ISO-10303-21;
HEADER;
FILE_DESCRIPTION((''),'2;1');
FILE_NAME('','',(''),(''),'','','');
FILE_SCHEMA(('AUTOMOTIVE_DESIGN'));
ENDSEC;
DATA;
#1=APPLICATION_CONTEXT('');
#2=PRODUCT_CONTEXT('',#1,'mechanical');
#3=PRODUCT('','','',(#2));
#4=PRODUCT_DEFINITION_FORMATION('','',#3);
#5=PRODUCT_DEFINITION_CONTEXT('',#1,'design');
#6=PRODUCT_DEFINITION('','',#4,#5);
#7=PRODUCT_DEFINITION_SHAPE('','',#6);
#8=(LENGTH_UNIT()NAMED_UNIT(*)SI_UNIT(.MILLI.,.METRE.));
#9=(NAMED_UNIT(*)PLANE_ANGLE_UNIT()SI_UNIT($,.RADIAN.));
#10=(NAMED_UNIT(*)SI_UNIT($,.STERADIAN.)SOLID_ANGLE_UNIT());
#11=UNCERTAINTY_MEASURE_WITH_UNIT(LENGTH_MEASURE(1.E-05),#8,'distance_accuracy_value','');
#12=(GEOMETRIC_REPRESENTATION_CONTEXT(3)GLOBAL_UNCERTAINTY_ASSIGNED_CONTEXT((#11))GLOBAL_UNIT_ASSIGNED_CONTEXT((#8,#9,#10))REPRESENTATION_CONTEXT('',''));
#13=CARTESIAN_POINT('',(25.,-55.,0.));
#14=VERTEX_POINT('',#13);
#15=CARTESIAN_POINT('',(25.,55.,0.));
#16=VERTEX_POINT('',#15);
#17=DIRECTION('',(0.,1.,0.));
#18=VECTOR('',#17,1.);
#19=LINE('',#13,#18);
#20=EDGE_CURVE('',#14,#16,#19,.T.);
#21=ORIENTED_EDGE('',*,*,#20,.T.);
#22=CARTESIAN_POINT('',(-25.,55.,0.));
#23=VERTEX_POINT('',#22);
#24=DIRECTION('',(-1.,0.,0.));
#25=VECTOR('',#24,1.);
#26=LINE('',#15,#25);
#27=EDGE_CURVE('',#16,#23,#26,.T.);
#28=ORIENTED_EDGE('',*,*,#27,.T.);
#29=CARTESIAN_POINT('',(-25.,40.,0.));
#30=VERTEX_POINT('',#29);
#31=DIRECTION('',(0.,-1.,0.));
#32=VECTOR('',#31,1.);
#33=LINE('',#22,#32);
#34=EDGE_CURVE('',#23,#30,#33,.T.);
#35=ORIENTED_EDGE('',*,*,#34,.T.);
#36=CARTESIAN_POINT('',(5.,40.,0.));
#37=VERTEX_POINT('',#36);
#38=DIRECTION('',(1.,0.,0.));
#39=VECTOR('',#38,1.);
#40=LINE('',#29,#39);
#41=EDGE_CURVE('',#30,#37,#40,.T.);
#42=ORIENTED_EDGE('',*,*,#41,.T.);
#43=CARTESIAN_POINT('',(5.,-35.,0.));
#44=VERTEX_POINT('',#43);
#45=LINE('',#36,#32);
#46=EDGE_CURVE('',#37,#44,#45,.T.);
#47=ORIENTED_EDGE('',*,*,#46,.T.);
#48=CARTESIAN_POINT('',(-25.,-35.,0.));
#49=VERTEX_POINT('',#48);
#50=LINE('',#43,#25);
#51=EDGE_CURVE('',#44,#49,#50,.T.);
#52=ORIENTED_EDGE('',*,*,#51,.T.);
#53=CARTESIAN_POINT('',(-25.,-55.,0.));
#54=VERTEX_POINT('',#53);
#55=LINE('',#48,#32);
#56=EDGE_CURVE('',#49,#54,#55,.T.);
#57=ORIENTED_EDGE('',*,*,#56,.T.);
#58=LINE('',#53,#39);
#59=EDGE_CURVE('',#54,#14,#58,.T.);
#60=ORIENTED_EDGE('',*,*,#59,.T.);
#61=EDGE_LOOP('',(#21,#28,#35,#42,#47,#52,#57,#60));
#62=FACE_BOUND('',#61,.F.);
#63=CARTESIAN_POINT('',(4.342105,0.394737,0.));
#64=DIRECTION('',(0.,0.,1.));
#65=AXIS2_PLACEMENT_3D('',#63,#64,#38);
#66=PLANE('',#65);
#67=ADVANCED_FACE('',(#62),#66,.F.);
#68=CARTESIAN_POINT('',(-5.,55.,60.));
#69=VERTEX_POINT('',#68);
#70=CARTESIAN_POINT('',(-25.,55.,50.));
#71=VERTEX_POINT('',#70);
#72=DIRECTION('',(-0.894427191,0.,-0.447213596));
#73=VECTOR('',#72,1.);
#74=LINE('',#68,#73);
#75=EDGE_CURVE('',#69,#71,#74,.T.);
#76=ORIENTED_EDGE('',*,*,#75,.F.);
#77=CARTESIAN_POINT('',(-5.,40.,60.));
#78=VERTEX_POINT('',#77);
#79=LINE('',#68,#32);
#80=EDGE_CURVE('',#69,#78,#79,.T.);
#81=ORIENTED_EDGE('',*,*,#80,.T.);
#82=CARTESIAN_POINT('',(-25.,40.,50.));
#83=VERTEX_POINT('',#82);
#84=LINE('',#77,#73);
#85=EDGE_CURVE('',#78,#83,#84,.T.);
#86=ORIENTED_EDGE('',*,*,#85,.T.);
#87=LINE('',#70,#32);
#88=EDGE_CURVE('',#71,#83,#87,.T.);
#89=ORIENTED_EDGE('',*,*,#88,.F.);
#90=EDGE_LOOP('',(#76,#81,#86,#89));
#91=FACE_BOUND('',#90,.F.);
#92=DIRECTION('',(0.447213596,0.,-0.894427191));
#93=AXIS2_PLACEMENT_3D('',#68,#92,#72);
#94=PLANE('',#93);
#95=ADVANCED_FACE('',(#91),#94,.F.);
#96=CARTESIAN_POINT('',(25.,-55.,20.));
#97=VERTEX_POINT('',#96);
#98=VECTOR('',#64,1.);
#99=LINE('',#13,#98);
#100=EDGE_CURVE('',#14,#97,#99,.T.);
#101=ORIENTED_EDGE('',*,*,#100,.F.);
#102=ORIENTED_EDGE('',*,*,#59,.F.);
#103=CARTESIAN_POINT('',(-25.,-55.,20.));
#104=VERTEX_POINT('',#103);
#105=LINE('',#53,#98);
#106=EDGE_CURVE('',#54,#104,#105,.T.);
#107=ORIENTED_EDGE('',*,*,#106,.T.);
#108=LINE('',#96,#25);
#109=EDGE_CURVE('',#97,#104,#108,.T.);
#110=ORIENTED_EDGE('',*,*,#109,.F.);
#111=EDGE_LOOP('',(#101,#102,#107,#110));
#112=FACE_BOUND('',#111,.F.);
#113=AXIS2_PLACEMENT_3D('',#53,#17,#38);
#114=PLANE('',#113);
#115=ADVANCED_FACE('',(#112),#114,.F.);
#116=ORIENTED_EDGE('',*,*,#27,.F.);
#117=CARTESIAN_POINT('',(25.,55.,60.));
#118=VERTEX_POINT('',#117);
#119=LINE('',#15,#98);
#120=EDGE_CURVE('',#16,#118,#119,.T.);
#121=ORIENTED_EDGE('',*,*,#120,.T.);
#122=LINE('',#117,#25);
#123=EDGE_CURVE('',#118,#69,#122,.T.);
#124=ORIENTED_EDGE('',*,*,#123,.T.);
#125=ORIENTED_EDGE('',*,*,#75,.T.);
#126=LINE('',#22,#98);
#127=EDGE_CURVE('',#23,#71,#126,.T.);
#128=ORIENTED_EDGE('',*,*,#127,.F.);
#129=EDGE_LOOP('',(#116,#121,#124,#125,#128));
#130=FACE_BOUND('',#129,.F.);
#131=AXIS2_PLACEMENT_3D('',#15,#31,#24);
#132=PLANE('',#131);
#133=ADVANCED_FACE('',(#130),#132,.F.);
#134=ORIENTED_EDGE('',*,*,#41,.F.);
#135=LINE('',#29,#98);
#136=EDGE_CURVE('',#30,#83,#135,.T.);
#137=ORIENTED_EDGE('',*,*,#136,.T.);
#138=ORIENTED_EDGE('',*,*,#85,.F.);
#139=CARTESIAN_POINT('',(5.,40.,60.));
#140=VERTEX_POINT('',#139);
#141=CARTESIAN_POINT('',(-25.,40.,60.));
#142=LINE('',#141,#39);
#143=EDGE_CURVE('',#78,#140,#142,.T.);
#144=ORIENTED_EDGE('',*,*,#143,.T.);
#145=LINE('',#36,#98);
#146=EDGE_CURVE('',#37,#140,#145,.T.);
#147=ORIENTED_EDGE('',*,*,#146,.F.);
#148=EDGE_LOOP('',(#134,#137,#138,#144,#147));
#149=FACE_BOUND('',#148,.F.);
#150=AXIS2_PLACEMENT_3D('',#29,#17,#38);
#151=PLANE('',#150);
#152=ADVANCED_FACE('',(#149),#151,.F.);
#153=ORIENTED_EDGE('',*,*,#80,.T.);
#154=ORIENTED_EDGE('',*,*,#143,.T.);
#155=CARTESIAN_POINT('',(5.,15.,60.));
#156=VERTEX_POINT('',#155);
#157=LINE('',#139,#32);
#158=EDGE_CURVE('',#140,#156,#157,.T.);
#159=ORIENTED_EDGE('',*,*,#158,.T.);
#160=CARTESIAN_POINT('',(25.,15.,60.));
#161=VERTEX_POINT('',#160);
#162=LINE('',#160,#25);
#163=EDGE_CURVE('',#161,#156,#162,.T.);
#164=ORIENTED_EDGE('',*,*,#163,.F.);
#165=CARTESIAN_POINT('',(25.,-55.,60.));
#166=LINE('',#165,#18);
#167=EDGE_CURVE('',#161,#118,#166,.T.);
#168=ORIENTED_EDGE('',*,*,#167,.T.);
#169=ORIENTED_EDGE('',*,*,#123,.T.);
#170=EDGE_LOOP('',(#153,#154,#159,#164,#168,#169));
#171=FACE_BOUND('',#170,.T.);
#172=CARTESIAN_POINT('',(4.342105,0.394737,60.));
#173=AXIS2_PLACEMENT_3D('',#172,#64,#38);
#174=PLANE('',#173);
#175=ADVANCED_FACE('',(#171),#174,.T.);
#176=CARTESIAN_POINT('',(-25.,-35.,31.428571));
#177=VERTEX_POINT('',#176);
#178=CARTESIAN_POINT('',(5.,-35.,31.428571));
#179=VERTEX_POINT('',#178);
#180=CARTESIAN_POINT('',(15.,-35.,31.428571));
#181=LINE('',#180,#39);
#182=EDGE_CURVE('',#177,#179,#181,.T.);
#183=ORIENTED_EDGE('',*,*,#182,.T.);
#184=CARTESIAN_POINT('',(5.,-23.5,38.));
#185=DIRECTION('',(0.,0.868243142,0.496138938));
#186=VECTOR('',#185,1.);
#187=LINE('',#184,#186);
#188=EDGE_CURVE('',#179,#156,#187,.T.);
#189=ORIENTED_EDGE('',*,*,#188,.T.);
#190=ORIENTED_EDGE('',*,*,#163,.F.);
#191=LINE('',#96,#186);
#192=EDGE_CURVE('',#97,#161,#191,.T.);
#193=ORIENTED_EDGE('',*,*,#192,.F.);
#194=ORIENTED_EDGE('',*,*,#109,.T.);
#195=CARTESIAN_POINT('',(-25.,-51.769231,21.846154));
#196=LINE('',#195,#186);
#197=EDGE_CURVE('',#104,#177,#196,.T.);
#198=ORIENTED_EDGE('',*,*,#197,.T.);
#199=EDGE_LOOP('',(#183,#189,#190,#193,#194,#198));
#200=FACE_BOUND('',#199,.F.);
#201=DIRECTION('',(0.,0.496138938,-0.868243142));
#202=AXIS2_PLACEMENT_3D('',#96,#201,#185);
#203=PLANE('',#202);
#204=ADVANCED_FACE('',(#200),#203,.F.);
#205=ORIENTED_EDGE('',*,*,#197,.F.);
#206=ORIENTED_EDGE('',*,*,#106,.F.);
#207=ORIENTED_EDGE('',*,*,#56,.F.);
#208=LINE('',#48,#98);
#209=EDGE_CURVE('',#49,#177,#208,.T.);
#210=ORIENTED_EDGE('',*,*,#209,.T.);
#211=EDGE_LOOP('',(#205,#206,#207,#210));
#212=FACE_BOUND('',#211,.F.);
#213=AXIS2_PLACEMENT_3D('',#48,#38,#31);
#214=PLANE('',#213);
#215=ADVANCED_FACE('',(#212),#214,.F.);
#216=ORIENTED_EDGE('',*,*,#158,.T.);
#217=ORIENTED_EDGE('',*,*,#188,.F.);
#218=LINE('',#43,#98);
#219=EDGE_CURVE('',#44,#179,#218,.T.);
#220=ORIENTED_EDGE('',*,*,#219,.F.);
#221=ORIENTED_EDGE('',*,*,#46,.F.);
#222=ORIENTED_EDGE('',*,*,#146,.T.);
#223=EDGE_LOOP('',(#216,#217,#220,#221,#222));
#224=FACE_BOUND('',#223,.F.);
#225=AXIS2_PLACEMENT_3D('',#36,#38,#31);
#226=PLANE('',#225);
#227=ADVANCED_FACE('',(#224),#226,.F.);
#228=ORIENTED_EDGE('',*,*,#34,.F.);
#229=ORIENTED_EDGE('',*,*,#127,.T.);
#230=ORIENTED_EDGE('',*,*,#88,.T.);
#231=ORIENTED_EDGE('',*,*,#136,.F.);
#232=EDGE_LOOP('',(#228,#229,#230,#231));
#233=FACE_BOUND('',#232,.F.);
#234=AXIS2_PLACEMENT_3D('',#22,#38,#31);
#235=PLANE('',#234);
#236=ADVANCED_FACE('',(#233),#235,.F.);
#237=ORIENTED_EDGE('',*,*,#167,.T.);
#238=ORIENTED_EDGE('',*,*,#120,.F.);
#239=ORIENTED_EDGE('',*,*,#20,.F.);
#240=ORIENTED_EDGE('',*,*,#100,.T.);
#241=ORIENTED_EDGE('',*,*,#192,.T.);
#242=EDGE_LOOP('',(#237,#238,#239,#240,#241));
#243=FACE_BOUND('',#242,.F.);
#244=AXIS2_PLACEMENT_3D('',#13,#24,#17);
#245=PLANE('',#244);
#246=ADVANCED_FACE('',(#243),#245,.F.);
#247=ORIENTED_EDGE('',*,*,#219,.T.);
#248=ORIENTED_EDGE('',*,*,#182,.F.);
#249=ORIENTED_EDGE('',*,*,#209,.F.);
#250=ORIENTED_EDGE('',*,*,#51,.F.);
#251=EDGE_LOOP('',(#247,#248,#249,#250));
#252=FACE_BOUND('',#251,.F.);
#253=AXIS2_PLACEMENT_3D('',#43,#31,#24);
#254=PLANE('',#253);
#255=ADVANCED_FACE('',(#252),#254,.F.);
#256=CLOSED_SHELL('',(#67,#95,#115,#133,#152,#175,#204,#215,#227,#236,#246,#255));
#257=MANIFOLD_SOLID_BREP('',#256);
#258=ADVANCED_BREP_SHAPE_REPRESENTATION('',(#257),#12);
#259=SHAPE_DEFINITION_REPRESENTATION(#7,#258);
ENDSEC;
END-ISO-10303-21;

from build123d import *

# Parameters (mm, degrees)
F1_DEPTH = 60
F3_DEPTH = 60
F5_DEPTH = 15


with BuildPart() as f1:
    # F0 (on Top) → F1 (new body)
    with BuildSketch(Plane.XY):
        Polygon((-25, -55), (25, -55), (25, 55), (-25, 55), (-25, 40), (5, 40), (5, -35), (-25, -35), align=None)
    extrude(amount=F1_DEPTH)

    # F2 (on face) → F3 (cut)
    with BuildSketch(Plane.YZ.offset(25)):
        Polygon((-55, 60), (-55, 20), (15, 60), align=None)
    extrude(amount=-F3_DEPTH, mode=Mode.SUBTRACT)

    # F4 (on face) → F5 (cut)
    with BuildSketch(Plane(origin=(0, 55, 0), x_dir=(-1, 0, 0), z_dir=(0, 1, 0))):
        Polygon((25, 60), (5, 60), (25, 50), align=None)
    extrude(amount=-F5_DEPTH, mode=Mode.SUBTRACT)


solid = f1.part
